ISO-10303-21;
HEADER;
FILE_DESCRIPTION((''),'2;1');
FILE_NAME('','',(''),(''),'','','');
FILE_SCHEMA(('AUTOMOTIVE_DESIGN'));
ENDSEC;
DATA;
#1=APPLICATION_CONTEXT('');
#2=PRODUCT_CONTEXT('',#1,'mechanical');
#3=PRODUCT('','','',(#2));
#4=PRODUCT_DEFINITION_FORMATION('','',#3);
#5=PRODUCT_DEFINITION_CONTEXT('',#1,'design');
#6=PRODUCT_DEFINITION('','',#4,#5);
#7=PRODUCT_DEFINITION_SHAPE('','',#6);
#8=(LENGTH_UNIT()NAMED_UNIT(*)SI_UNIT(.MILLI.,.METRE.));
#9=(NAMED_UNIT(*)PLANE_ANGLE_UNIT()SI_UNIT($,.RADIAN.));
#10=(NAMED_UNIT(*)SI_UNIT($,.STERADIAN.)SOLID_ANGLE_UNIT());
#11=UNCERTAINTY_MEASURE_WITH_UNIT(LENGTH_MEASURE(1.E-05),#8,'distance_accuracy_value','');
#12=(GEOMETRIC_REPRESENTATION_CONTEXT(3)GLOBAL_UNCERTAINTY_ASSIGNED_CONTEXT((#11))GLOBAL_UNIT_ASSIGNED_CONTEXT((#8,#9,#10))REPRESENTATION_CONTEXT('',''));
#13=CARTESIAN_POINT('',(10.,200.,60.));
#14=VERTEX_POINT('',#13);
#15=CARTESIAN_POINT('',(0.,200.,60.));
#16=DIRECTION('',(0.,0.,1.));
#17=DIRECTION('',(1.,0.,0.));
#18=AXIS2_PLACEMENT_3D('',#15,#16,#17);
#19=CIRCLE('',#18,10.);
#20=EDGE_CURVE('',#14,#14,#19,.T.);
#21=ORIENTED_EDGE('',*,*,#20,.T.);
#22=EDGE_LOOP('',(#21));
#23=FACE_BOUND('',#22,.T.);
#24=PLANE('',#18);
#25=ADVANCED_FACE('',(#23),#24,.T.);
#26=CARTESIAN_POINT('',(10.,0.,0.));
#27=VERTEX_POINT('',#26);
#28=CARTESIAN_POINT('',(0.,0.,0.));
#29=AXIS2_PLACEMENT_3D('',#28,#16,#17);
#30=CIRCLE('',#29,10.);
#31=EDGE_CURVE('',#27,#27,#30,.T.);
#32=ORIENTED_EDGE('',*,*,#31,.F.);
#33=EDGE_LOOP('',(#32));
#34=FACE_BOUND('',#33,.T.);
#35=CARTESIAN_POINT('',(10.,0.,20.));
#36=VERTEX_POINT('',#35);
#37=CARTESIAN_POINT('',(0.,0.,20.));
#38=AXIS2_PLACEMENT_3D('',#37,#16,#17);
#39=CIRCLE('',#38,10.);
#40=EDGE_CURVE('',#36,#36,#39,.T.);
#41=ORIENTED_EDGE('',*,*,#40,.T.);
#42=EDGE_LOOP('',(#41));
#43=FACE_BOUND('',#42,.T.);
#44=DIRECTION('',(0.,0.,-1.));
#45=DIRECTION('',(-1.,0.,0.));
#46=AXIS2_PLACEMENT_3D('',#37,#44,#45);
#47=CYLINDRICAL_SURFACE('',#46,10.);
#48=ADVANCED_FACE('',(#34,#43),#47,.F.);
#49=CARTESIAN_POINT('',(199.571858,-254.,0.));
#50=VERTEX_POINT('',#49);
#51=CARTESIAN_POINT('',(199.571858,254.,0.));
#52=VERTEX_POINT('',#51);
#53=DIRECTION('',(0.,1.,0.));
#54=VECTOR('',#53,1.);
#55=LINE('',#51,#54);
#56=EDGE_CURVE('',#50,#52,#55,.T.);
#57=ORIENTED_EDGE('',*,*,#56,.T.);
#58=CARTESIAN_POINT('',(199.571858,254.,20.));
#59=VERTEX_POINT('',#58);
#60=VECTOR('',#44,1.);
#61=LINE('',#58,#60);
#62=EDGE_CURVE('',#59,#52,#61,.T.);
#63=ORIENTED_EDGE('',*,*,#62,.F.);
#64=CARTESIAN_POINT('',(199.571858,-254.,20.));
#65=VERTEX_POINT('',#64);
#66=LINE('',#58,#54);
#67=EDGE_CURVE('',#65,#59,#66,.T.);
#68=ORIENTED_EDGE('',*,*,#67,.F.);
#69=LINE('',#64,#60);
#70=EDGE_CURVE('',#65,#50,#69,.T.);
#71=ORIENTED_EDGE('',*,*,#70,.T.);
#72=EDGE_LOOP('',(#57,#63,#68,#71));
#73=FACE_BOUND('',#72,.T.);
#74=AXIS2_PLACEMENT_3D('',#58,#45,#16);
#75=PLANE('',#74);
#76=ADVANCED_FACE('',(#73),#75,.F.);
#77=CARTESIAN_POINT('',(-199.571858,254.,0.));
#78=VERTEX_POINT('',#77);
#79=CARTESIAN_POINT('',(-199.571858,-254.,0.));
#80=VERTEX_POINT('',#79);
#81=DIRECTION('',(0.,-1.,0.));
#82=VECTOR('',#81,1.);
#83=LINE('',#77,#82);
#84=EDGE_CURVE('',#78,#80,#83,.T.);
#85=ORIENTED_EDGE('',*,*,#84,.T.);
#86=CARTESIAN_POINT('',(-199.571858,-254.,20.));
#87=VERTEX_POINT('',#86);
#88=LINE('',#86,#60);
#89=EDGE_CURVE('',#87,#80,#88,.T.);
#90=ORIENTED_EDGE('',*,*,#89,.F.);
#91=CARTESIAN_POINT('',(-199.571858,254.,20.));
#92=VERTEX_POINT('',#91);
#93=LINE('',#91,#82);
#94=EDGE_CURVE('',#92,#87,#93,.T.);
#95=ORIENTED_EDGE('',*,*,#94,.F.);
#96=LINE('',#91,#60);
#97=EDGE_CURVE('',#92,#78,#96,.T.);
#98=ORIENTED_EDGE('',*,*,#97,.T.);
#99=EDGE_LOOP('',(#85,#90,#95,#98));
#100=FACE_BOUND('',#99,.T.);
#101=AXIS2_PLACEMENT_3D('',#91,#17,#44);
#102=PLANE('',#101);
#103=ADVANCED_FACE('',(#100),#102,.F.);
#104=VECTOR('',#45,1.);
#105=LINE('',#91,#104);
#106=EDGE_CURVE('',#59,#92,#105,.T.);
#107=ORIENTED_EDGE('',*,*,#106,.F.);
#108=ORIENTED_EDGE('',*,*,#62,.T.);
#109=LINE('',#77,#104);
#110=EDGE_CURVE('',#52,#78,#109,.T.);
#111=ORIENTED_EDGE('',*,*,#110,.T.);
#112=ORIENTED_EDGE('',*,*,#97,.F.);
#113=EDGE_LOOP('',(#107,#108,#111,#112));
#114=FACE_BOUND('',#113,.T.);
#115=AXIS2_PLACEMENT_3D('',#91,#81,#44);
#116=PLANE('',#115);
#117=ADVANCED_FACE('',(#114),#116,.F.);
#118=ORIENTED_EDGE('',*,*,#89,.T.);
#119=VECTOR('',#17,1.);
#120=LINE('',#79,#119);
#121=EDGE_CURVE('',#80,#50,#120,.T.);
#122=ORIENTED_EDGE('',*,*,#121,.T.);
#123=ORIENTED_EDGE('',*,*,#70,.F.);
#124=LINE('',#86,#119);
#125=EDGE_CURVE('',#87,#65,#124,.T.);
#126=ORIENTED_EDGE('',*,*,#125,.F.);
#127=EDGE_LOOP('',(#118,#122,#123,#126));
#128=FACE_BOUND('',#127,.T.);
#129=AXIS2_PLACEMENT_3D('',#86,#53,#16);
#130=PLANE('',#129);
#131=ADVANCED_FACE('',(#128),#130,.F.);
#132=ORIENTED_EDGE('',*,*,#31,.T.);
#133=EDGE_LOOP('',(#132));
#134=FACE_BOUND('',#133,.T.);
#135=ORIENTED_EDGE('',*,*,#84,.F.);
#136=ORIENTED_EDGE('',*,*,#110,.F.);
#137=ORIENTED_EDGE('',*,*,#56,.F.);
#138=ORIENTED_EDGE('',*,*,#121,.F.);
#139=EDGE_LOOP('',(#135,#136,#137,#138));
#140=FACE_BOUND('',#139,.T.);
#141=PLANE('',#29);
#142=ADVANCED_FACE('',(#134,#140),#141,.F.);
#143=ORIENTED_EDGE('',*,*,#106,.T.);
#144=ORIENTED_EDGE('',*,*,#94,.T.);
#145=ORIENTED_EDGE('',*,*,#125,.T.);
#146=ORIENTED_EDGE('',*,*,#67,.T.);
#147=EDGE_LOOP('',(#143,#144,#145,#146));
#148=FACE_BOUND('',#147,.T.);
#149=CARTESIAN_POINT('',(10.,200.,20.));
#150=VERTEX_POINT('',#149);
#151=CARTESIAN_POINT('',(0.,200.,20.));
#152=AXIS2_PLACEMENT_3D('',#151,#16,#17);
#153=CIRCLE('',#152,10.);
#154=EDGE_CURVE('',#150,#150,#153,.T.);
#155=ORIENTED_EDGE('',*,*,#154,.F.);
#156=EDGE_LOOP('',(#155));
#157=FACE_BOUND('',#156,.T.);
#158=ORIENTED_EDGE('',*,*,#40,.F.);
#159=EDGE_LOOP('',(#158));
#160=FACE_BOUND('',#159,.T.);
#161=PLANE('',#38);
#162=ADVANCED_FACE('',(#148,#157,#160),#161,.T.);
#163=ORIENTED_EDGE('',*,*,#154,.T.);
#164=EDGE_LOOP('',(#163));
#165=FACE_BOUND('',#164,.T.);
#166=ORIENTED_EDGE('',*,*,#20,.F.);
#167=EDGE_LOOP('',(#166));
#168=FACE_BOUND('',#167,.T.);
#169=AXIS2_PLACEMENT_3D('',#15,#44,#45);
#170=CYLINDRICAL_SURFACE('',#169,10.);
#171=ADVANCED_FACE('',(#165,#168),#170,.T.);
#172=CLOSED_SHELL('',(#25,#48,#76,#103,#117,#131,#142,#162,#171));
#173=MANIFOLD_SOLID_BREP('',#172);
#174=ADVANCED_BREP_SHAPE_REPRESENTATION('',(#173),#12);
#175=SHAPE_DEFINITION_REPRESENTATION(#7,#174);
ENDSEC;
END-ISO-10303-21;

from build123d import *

# Parameters (mm, degrees)
SKETCH1_W           = 399.143716184
SKETCH1_H           = 508
SKETCH1_R           = 10
BOSS_EXTRUDE1_DEPTH = 20
SKETCH1_2_R         = 10
BOSS_EXTRUDE2_DEPTH = 60


with BuildPart() as part:
    # Sketch1 → Boss-Extrude1 (new body)
    with BuildSketch(Plane.XY):
        Rectangle(SKETCH1_W, SKETCH1_H)
        Circle(SKETCH1_R, mode=Mode.SUBTRACT)
        with Locations((0, 200)):
            Circle(SKETCH1_R, mode=Mode.SUBTRACT)
    extrude(amount=BOSS_EXTRUDE1_DEPTH)

    # Sketch1<2> → Boss-Extrude2 (add)
    with BuildSketch(Plane.XY):
        with Locations((0, 200)):
            Circle(SKETCH1_2_R)
    extrude(amount=BOSS_EXTRUDE2_DEPTH)


solid = part.part
